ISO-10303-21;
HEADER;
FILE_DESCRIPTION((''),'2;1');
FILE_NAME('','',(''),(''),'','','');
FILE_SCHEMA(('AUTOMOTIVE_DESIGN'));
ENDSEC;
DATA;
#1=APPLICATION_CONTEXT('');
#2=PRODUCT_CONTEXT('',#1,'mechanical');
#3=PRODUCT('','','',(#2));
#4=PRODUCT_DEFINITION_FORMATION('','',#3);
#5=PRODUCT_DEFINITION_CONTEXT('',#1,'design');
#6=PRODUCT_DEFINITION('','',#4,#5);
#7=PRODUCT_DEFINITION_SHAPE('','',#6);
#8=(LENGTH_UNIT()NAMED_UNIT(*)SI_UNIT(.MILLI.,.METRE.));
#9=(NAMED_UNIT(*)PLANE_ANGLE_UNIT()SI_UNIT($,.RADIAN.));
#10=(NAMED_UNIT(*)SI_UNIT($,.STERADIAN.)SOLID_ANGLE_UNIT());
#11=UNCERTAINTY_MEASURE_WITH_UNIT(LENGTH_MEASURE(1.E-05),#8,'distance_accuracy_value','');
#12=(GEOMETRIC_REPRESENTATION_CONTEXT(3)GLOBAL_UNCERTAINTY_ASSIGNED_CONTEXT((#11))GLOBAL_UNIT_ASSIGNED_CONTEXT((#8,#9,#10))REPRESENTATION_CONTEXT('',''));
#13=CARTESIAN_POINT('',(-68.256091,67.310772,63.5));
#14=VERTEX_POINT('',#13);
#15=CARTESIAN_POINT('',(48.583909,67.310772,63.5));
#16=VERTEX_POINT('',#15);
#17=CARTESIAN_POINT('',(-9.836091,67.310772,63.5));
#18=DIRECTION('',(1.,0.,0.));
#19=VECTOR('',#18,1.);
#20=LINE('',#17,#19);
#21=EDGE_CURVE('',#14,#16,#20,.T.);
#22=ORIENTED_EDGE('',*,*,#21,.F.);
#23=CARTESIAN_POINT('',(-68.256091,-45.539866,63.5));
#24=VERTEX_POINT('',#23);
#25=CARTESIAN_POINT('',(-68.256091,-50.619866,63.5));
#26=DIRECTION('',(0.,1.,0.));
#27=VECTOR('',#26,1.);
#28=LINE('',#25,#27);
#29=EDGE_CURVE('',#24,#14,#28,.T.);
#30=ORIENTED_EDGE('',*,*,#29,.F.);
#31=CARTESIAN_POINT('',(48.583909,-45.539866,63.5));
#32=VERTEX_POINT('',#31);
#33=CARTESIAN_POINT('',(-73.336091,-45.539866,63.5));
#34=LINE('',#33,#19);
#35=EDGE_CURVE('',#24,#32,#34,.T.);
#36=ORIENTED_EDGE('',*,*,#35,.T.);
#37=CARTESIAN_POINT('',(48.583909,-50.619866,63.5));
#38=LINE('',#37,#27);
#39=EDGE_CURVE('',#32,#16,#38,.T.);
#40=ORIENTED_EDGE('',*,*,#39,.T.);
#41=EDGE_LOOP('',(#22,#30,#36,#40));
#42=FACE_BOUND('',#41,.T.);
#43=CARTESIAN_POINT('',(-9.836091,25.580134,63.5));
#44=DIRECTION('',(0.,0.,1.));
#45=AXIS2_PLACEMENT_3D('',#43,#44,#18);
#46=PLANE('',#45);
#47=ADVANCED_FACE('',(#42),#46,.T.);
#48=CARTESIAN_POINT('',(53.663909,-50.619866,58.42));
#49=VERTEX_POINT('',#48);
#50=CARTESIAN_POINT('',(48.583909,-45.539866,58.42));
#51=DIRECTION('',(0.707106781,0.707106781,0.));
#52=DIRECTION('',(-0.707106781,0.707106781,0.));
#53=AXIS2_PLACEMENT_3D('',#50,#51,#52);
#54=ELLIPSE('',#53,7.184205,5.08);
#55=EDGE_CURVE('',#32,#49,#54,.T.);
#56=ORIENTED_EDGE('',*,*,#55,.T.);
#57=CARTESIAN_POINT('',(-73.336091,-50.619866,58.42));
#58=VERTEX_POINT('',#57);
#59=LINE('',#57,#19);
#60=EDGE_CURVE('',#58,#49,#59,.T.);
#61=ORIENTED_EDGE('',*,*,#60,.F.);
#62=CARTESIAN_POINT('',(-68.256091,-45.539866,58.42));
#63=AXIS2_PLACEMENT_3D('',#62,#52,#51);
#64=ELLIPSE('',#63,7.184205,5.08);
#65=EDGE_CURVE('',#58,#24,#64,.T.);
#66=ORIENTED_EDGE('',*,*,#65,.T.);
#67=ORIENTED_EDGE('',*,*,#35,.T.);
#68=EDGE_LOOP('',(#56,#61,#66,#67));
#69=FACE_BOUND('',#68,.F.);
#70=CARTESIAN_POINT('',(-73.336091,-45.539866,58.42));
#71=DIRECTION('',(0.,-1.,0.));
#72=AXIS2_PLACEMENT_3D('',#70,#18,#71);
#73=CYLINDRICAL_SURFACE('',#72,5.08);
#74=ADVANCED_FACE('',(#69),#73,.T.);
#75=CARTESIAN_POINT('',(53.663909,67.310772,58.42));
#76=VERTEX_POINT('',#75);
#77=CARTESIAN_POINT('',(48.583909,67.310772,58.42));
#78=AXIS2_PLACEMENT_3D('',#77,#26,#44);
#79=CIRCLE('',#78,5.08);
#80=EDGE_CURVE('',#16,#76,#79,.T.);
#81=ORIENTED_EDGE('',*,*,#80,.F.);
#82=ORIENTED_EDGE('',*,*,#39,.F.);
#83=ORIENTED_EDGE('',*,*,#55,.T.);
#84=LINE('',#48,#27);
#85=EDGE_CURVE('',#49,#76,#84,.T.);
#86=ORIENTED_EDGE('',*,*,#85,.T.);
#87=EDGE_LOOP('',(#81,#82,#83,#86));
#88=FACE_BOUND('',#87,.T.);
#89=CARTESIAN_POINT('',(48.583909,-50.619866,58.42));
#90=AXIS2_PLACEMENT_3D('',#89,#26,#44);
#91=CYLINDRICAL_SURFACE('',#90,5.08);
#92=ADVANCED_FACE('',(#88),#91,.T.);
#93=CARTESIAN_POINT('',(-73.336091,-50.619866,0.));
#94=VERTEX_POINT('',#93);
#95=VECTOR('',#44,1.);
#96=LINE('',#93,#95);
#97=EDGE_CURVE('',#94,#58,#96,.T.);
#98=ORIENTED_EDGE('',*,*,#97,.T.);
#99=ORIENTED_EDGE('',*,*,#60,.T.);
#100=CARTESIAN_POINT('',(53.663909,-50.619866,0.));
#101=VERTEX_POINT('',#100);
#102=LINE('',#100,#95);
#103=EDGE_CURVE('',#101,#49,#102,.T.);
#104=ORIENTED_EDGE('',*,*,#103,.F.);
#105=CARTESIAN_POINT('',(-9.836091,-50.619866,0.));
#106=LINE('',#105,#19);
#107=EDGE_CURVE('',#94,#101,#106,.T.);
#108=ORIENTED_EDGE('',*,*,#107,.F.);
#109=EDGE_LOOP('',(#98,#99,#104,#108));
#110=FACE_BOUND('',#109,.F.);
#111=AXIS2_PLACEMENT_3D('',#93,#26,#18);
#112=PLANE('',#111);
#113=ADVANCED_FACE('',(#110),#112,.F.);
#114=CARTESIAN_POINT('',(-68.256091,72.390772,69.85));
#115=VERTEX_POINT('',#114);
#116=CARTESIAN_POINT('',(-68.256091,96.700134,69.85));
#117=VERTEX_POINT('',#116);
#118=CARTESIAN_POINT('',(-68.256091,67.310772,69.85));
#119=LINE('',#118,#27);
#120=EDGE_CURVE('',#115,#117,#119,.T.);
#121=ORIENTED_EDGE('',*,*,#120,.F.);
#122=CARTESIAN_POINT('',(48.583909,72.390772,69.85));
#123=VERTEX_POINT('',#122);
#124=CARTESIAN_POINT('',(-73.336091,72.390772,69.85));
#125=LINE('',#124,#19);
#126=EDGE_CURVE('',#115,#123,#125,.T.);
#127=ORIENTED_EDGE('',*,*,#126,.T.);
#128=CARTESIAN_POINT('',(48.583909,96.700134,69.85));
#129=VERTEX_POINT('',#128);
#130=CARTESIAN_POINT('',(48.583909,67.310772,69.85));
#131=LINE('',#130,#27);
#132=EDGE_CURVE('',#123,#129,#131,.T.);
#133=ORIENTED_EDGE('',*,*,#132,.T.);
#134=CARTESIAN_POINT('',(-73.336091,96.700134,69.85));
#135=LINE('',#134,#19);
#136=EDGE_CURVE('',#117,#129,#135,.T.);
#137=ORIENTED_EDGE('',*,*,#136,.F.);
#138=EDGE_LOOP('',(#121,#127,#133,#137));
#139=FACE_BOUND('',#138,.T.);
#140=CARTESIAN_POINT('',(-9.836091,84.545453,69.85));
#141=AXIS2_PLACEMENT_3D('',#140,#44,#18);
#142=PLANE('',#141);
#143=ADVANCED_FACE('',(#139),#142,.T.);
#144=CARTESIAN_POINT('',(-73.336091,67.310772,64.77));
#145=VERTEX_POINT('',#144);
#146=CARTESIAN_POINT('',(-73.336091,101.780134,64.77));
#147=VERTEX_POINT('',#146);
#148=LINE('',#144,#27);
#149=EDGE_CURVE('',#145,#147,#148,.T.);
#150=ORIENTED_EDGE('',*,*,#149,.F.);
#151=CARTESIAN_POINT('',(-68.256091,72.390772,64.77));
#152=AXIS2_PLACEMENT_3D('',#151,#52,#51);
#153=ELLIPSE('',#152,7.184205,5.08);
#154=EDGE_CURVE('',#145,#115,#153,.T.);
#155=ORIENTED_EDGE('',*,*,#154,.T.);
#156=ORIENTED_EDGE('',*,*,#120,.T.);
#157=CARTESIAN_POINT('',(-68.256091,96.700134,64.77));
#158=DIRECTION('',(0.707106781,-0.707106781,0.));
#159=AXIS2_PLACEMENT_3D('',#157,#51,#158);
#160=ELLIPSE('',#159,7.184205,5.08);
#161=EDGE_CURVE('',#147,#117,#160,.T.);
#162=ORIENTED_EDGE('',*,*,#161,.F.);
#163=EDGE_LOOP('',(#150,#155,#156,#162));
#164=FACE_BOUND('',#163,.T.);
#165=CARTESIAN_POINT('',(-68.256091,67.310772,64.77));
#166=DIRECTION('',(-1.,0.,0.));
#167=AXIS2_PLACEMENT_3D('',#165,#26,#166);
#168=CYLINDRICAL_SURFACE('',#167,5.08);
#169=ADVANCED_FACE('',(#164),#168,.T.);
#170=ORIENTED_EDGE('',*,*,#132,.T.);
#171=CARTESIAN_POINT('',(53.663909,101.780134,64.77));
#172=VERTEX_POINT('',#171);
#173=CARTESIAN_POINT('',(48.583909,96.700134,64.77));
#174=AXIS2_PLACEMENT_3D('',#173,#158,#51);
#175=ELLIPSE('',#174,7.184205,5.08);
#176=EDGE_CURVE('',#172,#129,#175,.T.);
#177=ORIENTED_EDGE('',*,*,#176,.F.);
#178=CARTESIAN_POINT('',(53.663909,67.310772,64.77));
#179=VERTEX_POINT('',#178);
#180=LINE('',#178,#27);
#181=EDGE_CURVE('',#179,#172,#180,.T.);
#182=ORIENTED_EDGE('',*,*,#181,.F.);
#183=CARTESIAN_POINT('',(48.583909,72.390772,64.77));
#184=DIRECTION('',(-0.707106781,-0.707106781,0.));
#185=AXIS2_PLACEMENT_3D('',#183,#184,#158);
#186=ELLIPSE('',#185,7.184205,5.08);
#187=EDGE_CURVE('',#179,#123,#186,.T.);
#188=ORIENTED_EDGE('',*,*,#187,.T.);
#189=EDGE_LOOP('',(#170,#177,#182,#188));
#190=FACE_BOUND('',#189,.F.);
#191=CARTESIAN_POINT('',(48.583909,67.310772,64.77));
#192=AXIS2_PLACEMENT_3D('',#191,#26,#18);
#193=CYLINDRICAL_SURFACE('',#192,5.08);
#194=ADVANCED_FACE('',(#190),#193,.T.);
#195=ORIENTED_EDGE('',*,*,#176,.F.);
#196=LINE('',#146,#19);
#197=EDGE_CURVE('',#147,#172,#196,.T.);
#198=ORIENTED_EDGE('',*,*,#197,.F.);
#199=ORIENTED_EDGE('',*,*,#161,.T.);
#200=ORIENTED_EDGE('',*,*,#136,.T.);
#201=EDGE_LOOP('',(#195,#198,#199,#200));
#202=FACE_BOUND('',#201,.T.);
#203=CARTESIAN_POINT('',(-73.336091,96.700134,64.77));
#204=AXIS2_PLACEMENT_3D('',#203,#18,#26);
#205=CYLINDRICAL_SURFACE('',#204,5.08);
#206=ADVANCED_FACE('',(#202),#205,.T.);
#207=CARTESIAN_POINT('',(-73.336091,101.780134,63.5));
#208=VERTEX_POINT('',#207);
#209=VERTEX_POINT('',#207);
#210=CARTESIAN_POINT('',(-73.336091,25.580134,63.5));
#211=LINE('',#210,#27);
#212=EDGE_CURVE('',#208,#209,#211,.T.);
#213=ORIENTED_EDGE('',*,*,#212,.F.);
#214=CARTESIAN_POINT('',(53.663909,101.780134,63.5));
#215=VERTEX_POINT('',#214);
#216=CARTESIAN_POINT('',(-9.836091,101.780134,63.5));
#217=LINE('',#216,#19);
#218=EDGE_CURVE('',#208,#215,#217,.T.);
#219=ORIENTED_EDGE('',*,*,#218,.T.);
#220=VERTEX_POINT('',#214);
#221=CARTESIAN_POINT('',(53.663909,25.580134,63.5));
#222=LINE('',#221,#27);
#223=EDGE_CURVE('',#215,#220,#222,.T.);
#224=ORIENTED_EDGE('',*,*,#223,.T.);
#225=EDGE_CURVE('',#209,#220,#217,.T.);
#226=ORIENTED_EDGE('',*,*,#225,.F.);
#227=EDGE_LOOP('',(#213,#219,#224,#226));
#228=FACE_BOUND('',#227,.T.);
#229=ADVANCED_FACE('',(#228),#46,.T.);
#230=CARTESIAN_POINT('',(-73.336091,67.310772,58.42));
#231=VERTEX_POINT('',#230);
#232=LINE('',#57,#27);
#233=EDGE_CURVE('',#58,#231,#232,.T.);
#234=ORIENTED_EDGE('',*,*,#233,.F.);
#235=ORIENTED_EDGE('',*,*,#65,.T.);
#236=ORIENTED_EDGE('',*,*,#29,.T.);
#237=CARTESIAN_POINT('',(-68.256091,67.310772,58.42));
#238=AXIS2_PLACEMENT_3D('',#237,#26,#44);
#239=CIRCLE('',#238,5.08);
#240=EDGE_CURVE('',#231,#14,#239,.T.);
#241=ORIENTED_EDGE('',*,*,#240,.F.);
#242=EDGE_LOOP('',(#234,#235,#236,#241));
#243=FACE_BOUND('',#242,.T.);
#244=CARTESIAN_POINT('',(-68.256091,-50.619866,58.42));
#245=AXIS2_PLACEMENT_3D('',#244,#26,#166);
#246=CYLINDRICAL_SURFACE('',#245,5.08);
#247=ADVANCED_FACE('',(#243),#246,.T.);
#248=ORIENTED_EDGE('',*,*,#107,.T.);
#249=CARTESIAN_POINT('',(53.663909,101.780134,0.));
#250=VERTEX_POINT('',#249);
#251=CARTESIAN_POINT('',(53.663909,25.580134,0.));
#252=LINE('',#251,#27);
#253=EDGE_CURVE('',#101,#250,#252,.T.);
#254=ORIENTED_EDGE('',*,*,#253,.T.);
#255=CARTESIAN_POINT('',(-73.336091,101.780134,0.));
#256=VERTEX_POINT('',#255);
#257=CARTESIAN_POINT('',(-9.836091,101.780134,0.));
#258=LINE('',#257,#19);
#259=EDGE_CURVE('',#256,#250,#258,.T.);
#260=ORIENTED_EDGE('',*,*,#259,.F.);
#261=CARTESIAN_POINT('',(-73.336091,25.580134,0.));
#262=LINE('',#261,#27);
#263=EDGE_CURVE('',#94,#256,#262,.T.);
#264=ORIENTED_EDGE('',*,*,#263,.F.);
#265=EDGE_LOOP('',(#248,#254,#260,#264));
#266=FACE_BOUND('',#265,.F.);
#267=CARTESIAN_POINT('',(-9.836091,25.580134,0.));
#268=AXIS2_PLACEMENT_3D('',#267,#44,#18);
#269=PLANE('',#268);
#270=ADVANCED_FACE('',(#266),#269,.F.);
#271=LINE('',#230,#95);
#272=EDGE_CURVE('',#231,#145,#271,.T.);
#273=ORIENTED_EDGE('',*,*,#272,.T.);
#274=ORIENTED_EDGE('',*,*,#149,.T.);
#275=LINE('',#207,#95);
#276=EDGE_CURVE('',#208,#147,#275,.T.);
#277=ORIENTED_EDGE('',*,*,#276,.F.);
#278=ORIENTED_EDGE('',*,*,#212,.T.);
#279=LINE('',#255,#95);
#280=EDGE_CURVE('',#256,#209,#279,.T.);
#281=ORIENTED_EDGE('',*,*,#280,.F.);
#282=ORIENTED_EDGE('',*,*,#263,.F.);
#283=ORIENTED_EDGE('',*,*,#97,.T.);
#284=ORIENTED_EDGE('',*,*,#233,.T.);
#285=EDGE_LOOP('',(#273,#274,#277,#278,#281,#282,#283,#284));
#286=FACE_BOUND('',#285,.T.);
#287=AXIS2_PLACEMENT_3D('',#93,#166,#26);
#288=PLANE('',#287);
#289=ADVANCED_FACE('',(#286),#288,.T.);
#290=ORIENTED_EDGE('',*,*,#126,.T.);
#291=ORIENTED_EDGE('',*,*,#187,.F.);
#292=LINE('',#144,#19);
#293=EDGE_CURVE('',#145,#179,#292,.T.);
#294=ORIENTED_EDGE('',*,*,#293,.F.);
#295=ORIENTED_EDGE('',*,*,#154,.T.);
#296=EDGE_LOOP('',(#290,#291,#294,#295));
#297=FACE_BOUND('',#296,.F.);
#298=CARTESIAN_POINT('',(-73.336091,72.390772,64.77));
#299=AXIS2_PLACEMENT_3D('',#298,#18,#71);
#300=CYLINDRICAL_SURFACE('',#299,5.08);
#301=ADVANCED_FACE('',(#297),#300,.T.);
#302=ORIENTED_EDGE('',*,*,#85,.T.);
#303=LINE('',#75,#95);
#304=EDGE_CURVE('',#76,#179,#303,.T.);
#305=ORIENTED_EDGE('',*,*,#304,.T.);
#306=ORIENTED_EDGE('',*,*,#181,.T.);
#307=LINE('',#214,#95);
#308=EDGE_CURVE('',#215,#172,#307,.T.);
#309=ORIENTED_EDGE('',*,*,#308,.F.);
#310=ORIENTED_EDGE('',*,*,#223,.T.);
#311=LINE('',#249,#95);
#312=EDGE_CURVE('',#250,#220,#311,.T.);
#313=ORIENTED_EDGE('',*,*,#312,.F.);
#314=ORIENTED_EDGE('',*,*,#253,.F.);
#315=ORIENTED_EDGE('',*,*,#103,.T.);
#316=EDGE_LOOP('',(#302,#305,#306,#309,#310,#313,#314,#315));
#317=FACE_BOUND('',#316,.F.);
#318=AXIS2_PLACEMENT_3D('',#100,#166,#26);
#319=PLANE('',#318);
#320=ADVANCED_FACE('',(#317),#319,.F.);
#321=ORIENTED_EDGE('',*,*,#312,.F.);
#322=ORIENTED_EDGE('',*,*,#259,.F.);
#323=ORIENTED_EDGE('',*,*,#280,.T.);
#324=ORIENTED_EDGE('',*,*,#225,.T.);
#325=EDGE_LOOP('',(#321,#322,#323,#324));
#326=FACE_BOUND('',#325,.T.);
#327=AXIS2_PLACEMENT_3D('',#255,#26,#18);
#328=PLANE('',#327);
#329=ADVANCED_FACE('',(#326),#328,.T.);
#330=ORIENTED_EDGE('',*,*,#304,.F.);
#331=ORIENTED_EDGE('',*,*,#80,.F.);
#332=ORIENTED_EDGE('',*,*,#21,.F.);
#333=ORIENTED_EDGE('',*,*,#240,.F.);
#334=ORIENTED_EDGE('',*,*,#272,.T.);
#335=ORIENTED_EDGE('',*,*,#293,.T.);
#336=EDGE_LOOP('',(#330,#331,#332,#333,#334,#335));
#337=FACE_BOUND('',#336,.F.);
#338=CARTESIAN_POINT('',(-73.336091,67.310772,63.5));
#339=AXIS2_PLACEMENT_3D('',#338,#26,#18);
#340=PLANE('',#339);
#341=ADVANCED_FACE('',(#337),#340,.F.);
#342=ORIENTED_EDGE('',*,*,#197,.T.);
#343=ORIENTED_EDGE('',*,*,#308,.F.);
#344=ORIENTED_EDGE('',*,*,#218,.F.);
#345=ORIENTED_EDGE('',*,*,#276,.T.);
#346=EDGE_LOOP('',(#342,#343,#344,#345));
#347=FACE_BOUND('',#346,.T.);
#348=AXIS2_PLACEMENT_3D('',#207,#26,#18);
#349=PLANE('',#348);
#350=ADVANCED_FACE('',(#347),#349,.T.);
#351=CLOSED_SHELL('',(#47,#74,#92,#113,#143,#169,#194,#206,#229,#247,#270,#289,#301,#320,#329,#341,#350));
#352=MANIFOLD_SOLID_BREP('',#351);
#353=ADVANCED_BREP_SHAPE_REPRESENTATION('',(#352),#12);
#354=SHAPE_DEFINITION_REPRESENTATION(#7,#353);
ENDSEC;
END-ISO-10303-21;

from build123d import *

# Parameters (mm, degrees)
F0_W     = 127
F0_H     = 152.4
F1_DEPTH = 63.5
F2_W     = 127
F2_H     = 34.469361
F3_DEPTH = 6.35
F4_R     = 5.08


with BuildPart() as f1:
    # F0 (on Top) → F1 (new body)
    with BuildSketch(Plane.XY):
        with Locations((-9.836091, 25.580134)):
            Rectangle(F0_W, F0_H)
    extrude(amount=F1_DEPTH)

    # F2 (on face) → F3 (join)
    with BuildSketch(Plane.XY.offset(63.5)):
        with Locations((-9.836091, 84.545453)):
            Rectangle(F2_W, F2_H)
    extrude(amount=F3_DEPTH)

    # F4
    f4_edges = [f1.edges().sort_by_distance(p)[0] for p in [
        (-9.836091, 67.310773, 69.85),
        (53.663909, 8.345453, 63.5),
        (-9.836091, -50.619866, 63.5),
        (-73.336091, 8.345453, 63.5),
        (-9.836091, 101.780134, 69.85),
        (53.663909, 84.545453, 69.85),
        (-73.336091, 84.545453, 69.85),
    ]]
    fillet(f4_edges, radius=F4_R)


solid = f1.part
